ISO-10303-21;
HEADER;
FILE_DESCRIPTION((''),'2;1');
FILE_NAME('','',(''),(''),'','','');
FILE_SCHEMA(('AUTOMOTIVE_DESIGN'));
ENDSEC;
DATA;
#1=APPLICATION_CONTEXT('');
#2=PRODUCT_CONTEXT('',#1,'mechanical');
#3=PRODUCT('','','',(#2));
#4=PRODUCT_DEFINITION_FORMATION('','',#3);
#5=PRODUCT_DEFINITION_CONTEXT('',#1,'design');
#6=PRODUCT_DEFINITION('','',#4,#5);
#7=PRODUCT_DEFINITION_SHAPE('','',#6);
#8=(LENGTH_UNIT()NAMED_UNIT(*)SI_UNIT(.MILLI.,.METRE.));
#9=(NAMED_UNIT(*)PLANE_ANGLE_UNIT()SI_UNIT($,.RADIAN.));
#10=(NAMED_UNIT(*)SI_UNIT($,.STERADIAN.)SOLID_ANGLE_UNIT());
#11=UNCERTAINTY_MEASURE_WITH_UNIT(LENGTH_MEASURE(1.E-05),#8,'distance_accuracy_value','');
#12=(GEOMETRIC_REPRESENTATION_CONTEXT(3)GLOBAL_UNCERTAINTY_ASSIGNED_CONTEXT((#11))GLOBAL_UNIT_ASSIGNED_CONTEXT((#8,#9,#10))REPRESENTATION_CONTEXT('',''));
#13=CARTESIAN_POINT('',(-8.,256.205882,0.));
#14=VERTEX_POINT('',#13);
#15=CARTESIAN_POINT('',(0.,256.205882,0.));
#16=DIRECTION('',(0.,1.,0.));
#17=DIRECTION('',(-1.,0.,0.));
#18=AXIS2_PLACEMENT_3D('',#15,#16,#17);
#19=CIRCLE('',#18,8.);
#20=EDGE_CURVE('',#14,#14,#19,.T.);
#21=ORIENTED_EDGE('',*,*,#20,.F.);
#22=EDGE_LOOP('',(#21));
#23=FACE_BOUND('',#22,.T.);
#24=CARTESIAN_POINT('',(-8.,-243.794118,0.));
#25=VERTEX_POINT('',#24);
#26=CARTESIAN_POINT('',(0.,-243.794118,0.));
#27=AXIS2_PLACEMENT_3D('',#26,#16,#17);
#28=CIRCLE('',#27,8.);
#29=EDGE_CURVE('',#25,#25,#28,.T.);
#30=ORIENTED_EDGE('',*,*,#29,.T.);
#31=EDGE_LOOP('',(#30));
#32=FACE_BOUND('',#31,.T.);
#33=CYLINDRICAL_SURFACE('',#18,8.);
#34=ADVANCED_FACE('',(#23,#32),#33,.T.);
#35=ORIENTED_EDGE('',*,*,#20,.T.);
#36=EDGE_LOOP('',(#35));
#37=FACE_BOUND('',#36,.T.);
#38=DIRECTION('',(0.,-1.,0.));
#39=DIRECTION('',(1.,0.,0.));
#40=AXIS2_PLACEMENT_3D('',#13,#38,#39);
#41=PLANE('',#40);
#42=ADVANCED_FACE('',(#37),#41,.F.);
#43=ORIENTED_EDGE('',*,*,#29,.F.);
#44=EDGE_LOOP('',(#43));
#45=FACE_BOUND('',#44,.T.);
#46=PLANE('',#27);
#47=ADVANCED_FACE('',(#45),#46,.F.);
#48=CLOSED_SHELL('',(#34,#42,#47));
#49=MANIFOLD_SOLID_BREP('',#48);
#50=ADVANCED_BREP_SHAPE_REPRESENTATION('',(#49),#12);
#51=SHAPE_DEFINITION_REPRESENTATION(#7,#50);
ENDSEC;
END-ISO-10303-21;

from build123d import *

# Parameters (mm, degrees)
ESQUISSE1_W = 8
ESQUISSE1_H = 500


with BuildPart() as part:
    # Esquisse1 → Révol.-Mince2 (revolve)
    with BuildSketch(Plane.XY, mode=Mode.PRIVATE) as r_vol_mince2_sk:
        with Locations((4, 6.205882353)):
            Rectangle(ESQUISSE1_W, ESQUISSE1_H)
    revolve(r_vol_mince2_sk.sketch.rotate(Axis((0, 256.205882353, 0), (0, -1, 0)), 180), axis=Axis((0, 256.205882353, 0), (0, -1, 0)))


solid = part.part
